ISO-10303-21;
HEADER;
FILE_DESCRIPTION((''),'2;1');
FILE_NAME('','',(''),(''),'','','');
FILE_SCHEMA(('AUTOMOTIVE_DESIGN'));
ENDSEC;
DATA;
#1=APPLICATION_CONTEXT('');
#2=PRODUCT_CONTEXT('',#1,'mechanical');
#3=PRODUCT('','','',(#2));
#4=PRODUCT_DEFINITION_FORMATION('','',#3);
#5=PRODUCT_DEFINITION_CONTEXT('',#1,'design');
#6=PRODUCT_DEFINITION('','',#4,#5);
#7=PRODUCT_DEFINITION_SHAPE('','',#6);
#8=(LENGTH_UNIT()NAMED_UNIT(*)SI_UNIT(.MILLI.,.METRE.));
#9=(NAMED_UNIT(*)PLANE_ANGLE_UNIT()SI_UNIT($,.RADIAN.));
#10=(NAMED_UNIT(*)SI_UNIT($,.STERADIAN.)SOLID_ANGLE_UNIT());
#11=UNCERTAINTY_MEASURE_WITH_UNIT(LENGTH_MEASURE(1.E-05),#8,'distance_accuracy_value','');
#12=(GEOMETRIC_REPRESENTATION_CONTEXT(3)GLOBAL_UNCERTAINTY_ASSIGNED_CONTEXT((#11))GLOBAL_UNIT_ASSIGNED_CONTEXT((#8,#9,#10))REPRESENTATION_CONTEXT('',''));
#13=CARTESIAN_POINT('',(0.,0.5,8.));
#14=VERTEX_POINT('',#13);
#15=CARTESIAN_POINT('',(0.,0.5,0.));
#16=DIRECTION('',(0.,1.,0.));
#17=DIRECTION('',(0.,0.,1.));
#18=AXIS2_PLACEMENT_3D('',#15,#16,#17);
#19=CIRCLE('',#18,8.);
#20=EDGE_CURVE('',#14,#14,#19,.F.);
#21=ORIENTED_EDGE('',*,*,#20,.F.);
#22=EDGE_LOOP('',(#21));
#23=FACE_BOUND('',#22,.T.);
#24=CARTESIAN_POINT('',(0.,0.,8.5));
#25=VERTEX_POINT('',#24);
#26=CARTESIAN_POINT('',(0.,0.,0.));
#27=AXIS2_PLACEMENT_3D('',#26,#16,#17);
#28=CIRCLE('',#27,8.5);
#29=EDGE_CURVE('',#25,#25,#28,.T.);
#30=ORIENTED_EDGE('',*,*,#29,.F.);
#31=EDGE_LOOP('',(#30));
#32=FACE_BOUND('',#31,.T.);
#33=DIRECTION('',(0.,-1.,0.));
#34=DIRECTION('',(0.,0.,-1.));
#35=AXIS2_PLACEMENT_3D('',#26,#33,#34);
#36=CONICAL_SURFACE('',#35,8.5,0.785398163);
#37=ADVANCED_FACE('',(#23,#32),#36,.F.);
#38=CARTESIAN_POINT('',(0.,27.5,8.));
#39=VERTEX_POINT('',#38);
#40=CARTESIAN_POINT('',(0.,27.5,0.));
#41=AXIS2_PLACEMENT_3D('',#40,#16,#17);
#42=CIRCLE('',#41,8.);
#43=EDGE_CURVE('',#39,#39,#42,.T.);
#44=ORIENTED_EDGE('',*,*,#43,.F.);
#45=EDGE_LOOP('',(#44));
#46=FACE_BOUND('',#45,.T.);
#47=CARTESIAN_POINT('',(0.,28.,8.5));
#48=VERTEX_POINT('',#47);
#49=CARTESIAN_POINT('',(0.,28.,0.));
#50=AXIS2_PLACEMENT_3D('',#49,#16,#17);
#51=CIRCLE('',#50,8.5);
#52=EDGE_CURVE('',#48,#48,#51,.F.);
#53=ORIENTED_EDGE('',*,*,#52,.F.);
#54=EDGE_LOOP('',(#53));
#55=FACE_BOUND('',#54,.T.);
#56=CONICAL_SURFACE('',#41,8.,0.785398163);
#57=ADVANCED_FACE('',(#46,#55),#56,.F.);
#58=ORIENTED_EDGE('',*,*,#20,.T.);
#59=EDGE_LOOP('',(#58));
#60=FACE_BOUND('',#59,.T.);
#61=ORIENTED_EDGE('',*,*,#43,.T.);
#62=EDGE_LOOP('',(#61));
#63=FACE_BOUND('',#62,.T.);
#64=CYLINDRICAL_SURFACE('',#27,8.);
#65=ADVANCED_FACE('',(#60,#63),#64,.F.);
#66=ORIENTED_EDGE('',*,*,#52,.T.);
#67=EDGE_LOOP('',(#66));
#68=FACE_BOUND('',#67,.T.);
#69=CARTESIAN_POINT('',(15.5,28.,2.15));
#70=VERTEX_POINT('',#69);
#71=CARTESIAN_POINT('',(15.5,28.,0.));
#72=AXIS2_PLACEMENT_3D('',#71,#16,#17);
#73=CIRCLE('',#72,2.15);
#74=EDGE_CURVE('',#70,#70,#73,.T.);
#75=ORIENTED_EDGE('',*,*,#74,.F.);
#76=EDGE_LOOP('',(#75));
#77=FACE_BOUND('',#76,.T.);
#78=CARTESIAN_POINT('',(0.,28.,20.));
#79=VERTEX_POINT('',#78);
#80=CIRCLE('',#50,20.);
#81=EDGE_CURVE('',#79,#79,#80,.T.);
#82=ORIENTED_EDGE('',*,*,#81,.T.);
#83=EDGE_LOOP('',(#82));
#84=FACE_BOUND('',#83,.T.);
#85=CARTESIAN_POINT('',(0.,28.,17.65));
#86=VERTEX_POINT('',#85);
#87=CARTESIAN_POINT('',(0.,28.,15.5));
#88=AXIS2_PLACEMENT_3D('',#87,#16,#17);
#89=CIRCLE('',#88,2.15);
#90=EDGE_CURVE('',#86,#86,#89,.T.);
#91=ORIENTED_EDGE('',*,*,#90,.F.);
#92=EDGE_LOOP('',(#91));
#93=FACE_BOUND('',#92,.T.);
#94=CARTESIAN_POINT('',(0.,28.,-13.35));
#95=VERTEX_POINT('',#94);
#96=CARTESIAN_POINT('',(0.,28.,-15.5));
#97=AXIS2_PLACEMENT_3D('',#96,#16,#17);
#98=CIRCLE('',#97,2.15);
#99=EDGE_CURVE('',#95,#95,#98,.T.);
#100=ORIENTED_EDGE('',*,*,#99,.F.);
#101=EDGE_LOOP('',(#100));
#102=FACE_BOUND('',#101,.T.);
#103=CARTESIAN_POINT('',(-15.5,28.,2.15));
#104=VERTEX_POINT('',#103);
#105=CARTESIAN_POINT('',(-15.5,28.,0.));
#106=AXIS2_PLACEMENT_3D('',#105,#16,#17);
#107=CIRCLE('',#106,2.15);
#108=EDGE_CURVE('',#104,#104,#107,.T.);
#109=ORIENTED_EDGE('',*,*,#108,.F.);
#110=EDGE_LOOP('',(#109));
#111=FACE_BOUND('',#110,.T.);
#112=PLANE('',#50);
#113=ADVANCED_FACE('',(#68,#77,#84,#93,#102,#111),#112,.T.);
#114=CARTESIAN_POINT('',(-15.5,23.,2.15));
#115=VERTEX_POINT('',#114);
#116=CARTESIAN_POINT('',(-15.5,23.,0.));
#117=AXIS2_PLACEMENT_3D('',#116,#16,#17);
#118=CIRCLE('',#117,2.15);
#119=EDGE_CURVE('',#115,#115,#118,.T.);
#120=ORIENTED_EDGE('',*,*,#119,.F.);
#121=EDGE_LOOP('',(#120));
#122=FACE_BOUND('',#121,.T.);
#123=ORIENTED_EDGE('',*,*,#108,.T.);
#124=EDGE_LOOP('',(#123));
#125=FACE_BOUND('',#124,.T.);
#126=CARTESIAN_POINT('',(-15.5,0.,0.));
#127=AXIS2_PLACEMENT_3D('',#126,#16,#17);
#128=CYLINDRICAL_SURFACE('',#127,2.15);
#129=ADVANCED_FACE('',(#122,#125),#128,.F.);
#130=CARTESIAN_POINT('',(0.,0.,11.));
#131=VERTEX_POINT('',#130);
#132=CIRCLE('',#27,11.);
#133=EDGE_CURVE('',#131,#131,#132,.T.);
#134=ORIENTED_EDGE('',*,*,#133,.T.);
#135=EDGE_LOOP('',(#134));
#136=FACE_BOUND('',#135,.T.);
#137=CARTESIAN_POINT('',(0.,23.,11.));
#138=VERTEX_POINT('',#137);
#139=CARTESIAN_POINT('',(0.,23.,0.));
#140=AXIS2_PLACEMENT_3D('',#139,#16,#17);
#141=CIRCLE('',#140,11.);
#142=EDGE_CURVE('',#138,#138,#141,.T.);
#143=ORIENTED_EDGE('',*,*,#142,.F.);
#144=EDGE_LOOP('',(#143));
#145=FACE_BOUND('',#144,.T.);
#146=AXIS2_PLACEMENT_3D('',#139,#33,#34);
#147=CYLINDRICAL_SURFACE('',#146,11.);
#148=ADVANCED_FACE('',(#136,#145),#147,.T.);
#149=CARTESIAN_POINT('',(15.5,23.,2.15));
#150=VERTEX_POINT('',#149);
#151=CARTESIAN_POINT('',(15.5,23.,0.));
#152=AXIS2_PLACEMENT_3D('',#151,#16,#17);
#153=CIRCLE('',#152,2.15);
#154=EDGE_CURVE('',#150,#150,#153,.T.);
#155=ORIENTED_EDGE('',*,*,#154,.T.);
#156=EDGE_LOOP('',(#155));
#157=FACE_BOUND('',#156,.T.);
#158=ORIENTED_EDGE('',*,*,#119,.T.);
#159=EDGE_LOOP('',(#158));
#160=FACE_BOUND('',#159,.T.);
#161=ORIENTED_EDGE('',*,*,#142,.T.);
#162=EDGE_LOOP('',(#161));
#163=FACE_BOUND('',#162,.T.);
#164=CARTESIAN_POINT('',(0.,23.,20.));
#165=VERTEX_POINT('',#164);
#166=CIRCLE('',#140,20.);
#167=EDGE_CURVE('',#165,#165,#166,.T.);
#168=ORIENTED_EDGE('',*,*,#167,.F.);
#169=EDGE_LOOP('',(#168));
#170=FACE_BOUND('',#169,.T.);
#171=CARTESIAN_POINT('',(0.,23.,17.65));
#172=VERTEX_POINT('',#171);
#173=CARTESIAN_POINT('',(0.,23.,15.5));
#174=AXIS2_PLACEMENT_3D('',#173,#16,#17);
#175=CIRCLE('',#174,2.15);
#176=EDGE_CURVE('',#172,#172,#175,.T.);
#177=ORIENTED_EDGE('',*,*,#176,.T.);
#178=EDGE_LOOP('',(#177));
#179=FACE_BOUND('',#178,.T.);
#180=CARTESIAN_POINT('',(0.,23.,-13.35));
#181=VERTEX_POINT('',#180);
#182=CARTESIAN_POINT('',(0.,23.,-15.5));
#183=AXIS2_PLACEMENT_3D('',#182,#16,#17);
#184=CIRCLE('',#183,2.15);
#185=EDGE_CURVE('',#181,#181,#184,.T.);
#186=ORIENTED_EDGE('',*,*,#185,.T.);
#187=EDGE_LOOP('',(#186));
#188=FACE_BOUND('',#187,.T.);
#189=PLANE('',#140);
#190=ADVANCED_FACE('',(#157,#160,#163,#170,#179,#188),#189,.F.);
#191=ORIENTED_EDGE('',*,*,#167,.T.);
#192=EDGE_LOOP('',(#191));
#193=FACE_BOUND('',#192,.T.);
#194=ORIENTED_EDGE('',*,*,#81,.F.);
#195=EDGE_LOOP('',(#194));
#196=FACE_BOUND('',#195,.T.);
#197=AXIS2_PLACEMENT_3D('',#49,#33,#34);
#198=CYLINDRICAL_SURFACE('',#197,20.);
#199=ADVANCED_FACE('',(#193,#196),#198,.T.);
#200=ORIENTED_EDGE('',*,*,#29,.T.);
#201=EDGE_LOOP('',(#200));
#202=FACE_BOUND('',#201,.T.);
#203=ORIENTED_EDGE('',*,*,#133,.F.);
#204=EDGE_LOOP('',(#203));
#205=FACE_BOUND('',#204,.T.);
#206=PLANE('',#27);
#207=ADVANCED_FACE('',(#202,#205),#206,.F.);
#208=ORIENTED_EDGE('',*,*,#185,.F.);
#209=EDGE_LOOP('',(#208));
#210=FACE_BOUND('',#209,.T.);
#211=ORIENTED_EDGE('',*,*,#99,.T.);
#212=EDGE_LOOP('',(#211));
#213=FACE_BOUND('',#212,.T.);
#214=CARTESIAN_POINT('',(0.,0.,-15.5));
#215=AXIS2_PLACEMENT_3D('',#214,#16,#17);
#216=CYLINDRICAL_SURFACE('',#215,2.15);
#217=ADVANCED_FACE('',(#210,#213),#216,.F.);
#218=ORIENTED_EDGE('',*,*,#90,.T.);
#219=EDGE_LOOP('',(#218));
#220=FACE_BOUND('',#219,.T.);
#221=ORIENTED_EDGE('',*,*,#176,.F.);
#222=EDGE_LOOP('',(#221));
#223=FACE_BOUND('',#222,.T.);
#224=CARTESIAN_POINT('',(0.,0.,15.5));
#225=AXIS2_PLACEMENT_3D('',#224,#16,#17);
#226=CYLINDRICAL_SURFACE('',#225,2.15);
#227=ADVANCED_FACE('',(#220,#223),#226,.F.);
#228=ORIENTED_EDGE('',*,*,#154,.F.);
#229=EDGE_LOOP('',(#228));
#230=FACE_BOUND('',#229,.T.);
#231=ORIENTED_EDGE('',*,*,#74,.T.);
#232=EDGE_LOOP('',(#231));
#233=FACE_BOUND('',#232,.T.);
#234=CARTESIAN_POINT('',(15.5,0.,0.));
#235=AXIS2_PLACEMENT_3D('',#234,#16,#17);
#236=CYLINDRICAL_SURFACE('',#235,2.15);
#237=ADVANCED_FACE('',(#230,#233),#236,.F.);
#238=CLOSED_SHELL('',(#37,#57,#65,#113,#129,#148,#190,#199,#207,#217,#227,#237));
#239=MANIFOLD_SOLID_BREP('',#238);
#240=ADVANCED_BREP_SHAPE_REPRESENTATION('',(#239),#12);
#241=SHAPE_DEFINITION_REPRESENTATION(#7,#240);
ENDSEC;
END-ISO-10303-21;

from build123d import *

# Parameters (mm, degrees)
SKETCH_1_R          = 11
EXTRUDE_1_DEPTH     = 23
SKETCH_2_R          = 20
EXTRUDE_2_DEPTH     = 5
SKETCH_3_R          = 8
CUT_EXTRUDE_1_DEPTH = 40.799497484
CHAMFER_1_SIZE      = 0.5
SKETCH_4_R          = 2.15
CUT_EXTRUDE_2_DEPTH = 40.799497484


with BuildPart() as part:
    # 草图1 → 凸台-拉伸1 (new body)
    with BuildSketch(Plane(origin=(0, 0, 0), x_dir=(1, 0, 0), z_dir=(0, 1, 0))):
        with Locations(Location((0, 0, 0), (0, 0, 270))):
            Circle(SKETCH_1_R)
    extrude(amount=EXTRUDE_1_DEPTH)

    # 草图2 → 凸台-拉伸2 (add)
    with BuildSketch(Plane(origin=(0, 23, 0), x_dir=(1, 0, 0), z_dir=(0, 1, 0))):
        with Locations(Location((0, 0, 0), (0, 0, 270))):
            Circle(SKETCH_2_R)
    extrude(amount=EXTRUDE_2_DEPTH)

    # 草图3 → 切除-拉伸1 (cut, through all)
    with BuildSketch(Plane(origin=(0, 28, 0), x_dir=(1, 0, 0), z_dir=(0, 1, 0))):
        with Locations(Location((0, 0, 0), (0, 0, 270))):
            Circle(SKETCH_3_R)
    extrude(amount=-CUT_EXTRUDE_1_DEPTH, mode=Mode.SUBTRACT)

    # 倒角1
    chamfer_1_edges = [part.edges().sort_by_distance(p)[0] for p in [
        (0, 0, -8),
        (0, 28, -8),
    ]]
    chamfer(chamfer_1_edges, length=CHAMFER_1_SIZE)

    # 草图4 → 切除-拉伸2 (cut, through all)
    with BuildSketch(Plane(origin=(0, 28, 0), x_dir=(1, 0, 0), z_dir=(0, 1, 0))):
        with Locations(Location((0, 15.5, 0), (0, 0, 270))):
            Circle(SKETCH_4_R)
        with Locations(Location((15.5, 0, 0), (0, 0, 270))):
            Circle(SKETCH_4_R)
        with Locations(Location((0, -15.5, 0), (0, 0, 270))):
            Circle(SKETCH_4_R)
        with Locations(Location((-15.5, 0, 0), (0, 0, 270))):
            Circle(SKETCH_4_R)
    extrude(amount=-CUT_EXTRUDE_2_DEPTH, mode=Mode.SUBTRACT)


solid = part.part
